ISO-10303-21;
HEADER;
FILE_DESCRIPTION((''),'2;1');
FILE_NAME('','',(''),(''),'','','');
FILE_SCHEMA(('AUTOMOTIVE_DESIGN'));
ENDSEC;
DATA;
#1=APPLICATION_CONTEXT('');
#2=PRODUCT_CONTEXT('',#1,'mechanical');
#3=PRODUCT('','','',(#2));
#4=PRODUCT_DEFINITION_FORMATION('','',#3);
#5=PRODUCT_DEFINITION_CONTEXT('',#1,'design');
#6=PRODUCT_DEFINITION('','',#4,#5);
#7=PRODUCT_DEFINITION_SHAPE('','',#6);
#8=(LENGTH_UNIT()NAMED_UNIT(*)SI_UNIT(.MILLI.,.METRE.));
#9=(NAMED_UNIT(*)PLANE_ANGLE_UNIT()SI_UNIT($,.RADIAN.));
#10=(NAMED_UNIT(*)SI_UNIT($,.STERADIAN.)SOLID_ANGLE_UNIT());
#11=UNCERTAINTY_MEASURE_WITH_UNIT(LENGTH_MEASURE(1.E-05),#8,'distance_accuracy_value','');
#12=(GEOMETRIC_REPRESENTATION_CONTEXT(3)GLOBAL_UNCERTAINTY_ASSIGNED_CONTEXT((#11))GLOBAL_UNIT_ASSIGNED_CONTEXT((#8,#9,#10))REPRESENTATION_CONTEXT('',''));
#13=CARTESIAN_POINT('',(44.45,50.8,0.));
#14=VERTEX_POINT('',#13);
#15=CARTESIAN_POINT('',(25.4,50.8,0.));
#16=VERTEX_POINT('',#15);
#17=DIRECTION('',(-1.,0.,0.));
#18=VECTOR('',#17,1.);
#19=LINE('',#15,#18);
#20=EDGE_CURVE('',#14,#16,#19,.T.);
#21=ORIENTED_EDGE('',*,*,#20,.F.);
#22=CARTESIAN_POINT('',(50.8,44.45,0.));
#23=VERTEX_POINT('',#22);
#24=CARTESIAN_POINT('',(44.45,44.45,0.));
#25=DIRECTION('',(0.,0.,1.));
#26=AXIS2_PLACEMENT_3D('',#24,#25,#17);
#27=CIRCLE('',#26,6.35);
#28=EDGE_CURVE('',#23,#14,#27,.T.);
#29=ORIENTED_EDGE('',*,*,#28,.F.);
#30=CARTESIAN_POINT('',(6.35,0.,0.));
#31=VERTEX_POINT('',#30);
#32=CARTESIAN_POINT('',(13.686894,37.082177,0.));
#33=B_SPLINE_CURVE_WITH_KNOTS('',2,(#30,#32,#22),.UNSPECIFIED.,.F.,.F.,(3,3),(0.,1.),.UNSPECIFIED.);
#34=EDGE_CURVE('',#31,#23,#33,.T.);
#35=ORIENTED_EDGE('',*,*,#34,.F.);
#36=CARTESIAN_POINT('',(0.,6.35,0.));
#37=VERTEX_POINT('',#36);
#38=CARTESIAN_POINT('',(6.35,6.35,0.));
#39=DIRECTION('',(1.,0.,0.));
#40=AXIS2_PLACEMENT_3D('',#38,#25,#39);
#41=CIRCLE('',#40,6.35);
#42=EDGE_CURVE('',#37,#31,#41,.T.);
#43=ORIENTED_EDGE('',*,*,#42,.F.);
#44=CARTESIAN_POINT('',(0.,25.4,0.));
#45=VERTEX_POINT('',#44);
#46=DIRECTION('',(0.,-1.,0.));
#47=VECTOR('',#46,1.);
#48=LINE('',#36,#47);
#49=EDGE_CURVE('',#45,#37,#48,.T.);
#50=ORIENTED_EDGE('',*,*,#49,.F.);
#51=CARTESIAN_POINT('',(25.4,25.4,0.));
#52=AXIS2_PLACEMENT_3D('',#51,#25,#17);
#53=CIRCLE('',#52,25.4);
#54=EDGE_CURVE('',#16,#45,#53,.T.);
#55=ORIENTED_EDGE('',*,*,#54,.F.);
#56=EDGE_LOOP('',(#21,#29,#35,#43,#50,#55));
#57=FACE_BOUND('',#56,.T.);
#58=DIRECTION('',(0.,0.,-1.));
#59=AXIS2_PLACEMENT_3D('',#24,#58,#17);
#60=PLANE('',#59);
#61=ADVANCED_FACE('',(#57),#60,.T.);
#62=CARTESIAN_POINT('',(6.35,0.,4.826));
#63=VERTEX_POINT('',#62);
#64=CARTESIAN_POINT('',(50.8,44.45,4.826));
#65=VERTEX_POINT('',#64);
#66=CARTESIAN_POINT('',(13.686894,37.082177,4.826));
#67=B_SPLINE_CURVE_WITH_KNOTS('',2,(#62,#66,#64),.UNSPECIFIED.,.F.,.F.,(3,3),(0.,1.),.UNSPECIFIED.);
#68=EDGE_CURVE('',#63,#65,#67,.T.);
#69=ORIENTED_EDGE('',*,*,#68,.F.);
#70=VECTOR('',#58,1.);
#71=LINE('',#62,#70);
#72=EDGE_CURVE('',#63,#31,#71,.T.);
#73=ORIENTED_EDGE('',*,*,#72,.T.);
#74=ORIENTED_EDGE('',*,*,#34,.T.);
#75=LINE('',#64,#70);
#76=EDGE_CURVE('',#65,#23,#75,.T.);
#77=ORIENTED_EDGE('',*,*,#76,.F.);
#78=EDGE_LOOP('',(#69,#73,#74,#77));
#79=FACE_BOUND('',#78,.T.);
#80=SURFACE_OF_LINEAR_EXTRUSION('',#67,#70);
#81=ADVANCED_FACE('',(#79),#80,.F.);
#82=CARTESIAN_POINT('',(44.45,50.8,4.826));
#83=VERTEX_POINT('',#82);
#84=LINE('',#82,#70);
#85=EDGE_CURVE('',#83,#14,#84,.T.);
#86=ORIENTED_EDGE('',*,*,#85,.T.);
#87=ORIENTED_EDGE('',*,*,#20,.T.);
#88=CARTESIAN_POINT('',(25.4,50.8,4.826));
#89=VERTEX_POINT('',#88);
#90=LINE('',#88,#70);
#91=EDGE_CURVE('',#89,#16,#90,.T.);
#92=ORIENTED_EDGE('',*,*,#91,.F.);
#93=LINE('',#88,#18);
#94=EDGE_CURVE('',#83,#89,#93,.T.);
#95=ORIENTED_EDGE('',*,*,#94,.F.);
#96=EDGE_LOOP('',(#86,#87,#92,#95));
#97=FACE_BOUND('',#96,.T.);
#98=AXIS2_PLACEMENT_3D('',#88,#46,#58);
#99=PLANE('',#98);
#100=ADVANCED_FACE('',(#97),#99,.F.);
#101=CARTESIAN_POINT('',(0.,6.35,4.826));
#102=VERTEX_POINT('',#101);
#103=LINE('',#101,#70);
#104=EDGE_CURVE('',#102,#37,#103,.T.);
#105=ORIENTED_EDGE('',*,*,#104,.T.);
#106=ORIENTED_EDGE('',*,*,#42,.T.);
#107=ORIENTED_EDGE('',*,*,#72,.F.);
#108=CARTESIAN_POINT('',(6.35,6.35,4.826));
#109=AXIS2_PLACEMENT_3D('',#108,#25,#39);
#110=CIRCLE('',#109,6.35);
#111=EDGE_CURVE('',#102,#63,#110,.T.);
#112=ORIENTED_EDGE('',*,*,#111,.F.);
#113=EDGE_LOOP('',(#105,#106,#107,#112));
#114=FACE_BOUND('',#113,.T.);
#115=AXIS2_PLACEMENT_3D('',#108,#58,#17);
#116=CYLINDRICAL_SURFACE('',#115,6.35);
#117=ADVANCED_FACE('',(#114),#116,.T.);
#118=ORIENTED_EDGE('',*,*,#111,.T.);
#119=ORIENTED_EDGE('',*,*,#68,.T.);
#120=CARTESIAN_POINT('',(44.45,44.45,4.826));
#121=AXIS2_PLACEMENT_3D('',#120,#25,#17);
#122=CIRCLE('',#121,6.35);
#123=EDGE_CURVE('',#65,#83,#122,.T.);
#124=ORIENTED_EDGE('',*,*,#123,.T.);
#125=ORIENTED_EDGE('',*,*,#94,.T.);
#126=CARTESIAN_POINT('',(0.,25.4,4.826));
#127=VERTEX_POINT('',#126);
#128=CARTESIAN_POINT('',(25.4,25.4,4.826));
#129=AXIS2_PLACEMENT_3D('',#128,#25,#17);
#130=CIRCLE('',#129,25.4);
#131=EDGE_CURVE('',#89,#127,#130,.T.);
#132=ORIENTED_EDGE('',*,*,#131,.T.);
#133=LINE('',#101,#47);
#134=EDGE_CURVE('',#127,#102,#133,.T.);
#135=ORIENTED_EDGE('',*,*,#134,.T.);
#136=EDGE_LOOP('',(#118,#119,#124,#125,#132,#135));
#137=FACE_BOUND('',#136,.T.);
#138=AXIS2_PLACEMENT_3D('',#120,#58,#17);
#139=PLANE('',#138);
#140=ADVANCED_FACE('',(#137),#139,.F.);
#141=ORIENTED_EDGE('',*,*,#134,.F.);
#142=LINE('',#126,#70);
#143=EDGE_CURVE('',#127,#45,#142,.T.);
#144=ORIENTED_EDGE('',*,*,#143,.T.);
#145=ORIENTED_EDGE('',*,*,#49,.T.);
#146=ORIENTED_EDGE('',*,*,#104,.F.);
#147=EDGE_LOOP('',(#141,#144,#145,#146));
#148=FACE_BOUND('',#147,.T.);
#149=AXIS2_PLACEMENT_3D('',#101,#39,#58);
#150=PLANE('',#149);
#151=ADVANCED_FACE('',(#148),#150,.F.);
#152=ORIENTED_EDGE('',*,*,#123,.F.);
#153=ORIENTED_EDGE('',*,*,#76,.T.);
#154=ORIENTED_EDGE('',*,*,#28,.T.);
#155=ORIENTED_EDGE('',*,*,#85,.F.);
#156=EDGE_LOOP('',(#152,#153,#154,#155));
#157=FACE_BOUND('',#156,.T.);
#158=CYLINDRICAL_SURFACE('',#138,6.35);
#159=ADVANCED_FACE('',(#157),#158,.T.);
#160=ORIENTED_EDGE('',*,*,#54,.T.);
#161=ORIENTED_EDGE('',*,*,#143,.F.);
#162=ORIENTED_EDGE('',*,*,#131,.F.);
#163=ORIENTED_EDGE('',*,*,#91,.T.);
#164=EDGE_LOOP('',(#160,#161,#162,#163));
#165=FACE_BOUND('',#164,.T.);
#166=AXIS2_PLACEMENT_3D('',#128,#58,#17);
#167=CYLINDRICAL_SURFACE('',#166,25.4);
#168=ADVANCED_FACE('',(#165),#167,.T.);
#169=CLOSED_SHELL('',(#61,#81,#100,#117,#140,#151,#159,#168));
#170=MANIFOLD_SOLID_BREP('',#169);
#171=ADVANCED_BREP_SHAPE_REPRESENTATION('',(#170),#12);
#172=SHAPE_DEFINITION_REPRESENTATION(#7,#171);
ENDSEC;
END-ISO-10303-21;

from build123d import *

# Parameters (mm, degrees)
BOSS_EXTRUDE1_DEPTH = 4.826


with BuildPart() as part:
    # Sketch1 → Boss-Extrude1 (new body)
    with BuildSketch(Plane.XY):
        with BuildLine():
            Line((0, 6.35), (0, 25.4))
            ThreePointArc((0, 25.4), (7.439487758, 43.360512242), (25.4, 50.8))
            Line((25.4, 50.8), (44.45, 50.8))
            ThreePointArc((44.45, 50.8), (48.940128061, 48.940128061), (50.8, 44.45))
            add(Edge.make_bspline(
                [(6.35, 0), (13.686894428, 37.082177492), (50.8, 44.45)],
                knots=[0, 0, 0, 1, 1, 1], degree=2))
            ThreePointArc((6.35, 0), (1.859871939, 1.859871939), (0, 6.35))
        make_face()
    extrude(amount=BOSS_EXTRUDE1_DEPTH)


solid = part.part
